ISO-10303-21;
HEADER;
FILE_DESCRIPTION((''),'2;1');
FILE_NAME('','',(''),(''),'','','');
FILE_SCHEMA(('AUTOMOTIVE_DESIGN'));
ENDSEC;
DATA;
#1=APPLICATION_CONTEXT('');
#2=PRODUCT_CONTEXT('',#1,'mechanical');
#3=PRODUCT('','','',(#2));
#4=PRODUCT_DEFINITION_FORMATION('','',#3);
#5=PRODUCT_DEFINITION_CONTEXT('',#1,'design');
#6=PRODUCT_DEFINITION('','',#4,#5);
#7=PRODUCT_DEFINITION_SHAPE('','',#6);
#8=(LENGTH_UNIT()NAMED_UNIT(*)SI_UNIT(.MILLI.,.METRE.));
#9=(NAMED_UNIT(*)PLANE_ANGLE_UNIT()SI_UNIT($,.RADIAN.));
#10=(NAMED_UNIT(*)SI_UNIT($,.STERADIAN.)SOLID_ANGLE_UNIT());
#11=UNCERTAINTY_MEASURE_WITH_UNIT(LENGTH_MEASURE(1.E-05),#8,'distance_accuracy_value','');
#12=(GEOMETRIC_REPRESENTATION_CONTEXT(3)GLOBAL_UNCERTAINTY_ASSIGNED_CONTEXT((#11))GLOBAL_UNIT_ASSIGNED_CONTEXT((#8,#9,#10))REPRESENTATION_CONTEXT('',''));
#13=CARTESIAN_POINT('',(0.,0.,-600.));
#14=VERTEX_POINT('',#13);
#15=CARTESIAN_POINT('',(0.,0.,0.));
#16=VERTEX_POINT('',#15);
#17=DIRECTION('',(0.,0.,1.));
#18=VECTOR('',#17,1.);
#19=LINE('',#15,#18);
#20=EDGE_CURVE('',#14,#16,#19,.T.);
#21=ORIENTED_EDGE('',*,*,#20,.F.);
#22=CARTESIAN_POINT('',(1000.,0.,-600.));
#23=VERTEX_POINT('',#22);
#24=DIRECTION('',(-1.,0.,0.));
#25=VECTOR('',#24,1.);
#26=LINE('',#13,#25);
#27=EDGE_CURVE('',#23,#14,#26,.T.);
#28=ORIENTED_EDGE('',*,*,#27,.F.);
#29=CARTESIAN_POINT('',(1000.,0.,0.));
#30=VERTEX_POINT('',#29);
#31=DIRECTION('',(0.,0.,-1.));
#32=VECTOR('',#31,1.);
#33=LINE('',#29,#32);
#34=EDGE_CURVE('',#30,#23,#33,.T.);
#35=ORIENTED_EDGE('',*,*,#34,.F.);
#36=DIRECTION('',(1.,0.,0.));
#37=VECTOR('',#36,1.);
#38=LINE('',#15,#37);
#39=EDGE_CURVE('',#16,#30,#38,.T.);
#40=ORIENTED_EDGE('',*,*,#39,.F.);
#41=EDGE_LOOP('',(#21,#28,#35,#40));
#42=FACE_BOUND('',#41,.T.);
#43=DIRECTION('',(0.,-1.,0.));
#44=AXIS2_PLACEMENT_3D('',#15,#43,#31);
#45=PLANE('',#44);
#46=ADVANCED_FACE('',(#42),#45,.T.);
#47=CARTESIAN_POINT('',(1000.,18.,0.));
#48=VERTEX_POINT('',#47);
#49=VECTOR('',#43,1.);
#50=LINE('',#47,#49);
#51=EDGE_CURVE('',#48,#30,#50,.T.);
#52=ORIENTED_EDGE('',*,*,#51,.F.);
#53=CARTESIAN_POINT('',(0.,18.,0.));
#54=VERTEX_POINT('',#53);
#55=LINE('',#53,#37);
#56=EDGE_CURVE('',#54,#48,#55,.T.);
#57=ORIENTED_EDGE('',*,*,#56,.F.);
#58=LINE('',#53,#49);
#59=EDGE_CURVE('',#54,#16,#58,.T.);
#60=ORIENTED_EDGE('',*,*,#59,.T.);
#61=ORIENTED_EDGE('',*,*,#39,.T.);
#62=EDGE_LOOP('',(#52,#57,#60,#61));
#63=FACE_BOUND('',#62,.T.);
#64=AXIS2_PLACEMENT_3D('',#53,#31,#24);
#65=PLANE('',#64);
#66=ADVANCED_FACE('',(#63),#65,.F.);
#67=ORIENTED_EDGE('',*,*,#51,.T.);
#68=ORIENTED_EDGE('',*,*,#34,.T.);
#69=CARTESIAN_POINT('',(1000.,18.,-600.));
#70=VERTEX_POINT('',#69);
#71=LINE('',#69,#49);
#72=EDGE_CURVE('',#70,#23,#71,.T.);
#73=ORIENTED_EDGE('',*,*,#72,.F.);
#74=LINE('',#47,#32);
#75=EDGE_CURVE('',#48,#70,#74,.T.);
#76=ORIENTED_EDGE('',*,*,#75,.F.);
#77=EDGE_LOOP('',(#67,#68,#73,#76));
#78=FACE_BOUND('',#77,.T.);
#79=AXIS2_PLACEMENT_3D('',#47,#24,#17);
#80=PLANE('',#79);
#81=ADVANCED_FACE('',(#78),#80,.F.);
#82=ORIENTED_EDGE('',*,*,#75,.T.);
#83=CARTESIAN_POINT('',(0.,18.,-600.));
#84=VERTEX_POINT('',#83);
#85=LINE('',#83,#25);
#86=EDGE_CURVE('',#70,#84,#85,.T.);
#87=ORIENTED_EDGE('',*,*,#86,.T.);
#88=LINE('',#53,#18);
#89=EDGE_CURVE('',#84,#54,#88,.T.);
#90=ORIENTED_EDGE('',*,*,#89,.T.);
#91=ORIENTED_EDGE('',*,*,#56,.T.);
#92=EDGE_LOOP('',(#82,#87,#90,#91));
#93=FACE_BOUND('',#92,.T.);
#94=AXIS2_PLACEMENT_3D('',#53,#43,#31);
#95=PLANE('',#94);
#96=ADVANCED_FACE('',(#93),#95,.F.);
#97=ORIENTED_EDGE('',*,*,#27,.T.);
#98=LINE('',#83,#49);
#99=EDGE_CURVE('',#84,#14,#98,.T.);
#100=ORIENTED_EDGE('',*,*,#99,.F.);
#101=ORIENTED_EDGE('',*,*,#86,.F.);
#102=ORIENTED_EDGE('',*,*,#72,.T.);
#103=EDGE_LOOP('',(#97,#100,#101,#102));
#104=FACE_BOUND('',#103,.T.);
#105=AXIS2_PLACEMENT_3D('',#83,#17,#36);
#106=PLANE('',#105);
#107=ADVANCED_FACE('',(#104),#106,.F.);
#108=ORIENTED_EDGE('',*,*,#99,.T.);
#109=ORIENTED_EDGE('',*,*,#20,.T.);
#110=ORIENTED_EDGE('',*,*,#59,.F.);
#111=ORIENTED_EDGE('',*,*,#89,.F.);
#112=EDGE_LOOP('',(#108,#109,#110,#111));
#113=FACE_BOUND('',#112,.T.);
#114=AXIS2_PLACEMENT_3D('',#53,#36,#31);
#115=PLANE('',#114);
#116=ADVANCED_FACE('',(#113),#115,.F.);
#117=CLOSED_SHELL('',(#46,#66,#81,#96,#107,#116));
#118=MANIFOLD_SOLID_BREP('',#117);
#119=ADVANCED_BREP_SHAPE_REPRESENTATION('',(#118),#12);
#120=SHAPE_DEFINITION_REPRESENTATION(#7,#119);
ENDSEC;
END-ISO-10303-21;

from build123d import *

# Parameters (mm, degrees)
SKETCH_1_W      = 1000
SKETCH_1_H      = 600
EXTRUDE_1_DEPTH = 18


with BuildPart() as part:
    # Эскиз1 → Бобышка-Вытянуть1 (new body)
    with BuildSketch(Plane(origin=(0, 0, 0), x_dir=(1, 0, 0), z_dir=(0, 1, 0))):
        with Locations((500, 300)):
            Rectangle(SKETCH_1_W, SKETCH_1_H)
    extrude(amount=EXTRUDE_1_DEPTH)


solid = part.part
